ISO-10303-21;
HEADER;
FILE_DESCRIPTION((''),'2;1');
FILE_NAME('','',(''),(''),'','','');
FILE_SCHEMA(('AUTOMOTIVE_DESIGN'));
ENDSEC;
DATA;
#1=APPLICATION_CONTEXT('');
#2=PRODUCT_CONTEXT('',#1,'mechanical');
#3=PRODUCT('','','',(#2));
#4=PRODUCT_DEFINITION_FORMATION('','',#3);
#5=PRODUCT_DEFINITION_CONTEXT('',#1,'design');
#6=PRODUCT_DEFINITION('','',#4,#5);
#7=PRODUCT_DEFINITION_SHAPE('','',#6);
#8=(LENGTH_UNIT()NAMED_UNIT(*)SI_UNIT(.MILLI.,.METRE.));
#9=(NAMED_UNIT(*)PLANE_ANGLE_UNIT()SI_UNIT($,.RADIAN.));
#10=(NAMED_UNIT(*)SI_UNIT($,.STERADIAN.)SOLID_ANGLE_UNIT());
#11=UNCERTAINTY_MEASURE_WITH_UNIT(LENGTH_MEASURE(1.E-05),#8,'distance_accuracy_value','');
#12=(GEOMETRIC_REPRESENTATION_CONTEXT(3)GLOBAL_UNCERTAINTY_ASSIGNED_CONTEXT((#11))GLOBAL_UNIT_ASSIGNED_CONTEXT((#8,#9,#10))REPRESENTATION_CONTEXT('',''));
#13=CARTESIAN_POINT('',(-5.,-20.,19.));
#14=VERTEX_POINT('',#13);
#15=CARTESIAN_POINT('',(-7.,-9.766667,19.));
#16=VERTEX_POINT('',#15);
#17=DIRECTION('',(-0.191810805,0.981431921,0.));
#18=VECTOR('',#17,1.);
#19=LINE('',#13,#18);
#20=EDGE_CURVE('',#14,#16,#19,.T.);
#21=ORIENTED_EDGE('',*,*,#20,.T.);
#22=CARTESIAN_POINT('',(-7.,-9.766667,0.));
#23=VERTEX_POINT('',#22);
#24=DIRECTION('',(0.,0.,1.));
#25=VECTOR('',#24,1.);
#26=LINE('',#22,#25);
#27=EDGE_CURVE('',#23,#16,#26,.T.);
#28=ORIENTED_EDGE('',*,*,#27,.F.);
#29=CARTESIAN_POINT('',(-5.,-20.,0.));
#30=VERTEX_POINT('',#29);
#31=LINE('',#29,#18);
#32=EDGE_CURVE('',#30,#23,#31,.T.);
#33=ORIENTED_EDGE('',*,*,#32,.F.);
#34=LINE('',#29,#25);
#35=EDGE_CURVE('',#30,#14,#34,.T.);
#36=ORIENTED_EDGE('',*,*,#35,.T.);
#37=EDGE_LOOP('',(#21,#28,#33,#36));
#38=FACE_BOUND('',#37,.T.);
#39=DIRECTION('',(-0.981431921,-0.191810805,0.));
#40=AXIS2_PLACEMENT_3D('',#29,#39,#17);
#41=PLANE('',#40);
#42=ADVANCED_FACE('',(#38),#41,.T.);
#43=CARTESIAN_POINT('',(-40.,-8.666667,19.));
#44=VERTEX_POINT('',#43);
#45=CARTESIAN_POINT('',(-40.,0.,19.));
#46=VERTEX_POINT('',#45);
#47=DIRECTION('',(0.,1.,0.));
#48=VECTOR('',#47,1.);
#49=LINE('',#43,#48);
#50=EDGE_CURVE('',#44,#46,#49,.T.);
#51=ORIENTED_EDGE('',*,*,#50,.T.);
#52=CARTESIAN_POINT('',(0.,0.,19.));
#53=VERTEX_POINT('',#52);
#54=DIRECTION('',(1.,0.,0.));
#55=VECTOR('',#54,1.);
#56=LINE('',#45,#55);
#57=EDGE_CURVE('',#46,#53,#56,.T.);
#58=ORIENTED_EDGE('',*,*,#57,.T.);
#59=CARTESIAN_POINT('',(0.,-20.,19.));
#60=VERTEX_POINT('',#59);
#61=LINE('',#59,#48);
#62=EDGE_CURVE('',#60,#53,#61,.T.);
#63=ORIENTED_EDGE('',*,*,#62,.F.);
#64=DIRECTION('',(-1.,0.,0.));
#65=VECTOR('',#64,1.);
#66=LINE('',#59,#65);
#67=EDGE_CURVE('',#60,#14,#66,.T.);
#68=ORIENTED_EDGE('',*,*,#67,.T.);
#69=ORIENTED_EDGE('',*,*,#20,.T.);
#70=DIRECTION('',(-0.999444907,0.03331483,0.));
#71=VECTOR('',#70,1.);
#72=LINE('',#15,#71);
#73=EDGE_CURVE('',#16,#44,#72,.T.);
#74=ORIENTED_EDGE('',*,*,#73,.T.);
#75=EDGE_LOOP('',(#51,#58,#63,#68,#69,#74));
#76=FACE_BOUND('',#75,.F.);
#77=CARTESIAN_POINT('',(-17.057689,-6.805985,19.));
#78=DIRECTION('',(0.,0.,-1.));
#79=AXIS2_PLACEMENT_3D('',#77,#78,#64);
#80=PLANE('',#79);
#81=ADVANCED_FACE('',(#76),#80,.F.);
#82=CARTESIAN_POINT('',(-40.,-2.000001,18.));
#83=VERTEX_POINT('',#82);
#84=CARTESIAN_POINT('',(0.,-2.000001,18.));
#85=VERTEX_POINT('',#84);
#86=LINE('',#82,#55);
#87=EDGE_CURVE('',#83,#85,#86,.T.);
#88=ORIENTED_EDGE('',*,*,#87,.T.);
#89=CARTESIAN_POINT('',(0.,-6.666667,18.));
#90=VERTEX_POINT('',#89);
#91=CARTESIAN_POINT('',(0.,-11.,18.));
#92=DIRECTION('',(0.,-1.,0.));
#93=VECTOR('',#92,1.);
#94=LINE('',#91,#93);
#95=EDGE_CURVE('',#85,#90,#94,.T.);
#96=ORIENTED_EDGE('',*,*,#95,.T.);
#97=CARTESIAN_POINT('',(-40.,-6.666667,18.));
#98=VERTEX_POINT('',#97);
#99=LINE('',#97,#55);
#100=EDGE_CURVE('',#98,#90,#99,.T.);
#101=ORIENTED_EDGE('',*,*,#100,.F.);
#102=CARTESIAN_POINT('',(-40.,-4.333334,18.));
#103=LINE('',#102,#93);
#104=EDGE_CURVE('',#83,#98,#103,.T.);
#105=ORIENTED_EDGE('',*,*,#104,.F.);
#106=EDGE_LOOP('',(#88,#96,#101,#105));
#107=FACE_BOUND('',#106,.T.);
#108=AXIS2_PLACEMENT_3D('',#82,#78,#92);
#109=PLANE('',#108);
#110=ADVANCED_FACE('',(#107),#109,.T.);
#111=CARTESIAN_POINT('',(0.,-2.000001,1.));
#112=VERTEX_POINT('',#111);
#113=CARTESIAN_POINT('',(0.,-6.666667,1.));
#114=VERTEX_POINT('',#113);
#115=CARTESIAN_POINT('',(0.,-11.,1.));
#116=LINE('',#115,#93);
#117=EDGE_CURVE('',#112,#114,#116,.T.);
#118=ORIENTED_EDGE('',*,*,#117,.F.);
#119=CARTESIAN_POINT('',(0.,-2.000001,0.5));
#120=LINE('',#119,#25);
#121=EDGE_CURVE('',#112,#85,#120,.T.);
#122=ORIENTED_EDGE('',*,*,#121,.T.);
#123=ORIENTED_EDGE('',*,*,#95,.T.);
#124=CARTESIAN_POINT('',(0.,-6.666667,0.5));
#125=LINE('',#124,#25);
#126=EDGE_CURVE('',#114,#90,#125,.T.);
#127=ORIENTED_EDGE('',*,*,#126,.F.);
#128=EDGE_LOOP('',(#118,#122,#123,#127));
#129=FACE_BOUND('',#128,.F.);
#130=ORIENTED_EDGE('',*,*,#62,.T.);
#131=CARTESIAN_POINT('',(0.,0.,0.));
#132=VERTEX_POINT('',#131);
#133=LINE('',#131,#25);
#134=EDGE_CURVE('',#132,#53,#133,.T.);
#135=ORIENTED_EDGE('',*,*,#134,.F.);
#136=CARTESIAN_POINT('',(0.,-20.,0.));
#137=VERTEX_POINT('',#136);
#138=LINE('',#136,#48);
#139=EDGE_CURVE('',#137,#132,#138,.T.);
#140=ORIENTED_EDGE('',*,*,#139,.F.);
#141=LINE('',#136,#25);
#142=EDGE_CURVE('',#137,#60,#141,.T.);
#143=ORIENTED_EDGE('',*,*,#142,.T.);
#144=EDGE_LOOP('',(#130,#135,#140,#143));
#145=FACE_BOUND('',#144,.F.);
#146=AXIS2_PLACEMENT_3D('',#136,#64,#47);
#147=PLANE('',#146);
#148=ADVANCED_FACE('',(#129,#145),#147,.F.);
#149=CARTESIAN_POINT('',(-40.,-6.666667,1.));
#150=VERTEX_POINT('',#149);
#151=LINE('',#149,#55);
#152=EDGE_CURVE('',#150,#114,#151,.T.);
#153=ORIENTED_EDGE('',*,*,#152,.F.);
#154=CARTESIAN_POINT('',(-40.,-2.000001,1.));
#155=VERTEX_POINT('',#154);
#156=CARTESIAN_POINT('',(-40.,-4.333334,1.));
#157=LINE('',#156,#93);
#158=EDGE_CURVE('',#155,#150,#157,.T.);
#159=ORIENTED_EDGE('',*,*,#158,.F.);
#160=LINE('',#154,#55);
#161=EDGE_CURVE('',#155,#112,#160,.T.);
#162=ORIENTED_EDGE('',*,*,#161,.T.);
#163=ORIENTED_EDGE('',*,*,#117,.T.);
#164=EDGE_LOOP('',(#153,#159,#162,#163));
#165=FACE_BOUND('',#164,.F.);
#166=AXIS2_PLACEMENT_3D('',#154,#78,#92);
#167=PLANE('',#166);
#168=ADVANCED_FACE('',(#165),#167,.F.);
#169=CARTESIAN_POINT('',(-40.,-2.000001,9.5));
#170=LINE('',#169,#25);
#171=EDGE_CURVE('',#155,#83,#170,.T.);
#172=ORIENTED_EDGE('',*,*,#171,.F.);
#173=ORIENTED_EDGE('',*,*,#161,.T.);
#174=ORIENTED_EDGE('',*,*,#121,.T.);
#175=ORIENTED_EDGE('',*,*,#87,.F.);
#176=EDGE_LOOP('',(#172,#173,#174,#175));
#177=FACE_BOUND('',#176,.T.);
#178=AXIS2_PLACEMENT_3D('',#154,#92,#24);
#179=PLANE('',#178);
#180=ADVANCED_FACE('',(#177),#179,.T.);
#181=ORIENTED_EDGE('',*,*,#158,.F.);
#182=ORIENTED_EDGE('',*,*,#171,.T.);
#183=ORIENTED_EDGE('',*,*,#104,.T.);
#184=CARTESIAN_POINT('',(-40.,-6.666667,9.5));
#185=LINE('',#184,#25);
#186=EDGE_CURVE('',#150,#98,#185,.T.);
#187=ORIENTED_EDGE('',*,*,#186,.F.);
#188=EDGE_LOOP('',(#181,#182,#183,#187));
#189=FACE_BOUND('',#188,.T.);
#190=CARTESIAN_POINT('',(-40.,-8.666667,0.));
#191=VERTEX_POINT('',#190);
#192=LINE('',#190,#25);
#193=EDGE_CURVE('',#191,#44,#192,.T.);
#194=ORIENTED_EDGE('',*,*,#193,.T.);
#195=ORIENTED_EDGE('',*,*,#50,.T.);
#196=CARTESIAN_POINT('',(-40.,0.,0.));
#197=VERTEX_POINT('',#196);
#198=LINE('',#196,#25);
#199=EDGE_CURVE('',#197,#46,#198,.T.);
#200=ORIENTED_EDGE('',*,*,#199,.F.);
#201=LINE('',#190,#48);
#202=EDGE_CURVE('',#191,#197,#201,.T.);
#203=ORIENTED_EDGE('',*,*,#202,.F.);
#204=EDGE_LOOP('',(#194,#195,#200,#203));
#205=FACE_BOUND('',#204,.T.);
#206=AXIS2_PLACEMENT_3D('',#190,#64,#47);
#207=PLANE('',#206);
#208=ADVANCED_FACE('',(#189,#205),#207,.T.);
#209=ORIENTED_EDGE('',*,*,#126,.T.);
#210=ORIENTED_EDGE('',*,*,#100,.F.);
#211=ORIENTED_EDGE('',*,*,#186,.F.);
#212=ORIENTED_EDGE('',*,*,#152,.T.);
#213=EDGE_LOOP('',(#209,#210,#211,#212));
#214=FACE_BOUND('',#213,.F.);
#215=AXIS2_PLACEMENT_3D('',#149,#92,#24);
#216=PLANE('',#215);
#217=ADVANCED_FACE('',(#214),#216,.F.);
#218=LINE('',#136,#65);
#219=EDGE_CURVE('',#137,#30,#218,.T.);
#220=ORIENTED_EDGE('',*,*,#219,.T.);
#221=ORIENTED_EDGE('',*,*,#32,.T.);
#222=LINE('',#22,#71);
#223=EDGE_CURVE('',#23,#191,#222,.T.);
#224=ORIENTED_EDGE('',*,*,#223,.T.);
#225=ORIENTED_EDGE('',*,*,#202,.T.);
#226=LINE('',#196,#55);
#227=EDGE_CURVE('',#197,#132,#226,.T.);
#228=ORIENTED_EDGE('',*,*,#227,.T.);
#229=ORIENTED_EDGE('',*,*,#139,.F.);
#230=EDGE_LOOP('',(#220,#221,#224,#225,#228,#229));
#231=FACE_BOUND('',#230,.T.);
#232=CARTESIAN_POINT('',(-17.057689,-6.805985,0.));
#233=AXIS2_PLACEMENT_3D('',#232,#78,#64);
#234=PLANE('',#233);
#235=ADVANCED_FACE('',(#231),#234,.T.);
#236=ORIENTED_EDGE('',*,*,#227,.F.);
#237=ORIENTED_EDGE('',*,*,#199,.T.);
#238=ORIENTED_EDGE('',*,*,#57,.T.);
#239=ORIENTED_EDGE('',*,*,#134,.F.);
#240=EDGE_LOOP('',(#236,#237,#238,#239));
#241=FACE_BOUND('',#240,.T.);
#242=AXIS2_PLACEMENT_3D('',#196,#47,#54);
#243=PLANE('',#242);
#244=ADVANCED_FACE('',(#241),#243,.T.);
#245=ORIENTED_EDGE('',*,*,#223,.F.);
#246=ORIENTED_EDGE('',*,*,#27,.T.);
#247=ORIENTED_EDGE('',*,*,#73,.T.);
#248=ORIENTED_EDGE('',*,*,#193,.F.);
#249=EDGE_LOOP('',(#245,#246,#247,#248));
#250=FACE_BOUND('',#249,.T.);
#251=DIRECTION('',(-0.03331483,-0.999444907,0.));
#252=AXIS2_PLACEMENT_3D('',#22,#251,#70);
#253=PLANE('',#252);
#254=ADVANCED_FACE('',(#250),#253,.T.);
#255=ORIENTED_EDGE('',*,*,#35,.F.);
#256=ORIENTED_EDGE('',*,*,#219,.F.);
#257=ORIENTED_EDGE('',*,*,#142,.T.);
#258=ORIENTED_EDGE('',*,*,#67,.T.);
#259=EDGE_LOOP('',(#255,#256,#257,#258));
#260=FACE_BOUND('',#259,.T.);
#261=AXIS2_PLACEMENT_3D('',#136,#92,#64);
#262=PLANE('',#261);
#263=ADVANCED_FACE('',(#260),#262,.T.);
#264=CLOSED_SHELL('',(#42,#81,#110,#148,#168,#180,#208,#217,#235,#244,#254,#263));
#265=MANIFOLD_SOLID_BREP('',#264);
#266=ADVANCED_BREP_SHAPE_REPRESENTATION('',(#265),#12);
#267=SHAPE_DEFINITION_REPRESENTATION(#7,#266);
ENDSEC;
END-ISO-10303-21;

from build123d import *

# Parameters (mm, degrees)
PAD_DEPTH    = 19
SKETCH001_W  = 4.666667
SKETCH001_H  = 17
POCKET_DEPTH = 40.001


with BuildPart() as part:
    # Sketch → Pad (new body)
    with BuildSketch(Plane.XY):
        Polygon((0, 0), (0, -10), (0, -20), (-5, -20), (-7, -9.766667), (-40, -8.666667), (-40, 0), align=None)
    extrude(amount=PAD_DEPTH)

    # Sketch001 → Pocket (cut, through all)
    with BuildSketch(Plane(origin=(-40, 0, 0), x_dir=(0, -1, 0), z_dir=(-1, 0, 0))):
        with Locations((4.333334, 9.5)):
            Rectangle(SKETCH001_W, SKETCH001_H)
    extrude(amount=-POCKET_DEPTH, mode=Mode.SUBTRACT)


solid = part.part
